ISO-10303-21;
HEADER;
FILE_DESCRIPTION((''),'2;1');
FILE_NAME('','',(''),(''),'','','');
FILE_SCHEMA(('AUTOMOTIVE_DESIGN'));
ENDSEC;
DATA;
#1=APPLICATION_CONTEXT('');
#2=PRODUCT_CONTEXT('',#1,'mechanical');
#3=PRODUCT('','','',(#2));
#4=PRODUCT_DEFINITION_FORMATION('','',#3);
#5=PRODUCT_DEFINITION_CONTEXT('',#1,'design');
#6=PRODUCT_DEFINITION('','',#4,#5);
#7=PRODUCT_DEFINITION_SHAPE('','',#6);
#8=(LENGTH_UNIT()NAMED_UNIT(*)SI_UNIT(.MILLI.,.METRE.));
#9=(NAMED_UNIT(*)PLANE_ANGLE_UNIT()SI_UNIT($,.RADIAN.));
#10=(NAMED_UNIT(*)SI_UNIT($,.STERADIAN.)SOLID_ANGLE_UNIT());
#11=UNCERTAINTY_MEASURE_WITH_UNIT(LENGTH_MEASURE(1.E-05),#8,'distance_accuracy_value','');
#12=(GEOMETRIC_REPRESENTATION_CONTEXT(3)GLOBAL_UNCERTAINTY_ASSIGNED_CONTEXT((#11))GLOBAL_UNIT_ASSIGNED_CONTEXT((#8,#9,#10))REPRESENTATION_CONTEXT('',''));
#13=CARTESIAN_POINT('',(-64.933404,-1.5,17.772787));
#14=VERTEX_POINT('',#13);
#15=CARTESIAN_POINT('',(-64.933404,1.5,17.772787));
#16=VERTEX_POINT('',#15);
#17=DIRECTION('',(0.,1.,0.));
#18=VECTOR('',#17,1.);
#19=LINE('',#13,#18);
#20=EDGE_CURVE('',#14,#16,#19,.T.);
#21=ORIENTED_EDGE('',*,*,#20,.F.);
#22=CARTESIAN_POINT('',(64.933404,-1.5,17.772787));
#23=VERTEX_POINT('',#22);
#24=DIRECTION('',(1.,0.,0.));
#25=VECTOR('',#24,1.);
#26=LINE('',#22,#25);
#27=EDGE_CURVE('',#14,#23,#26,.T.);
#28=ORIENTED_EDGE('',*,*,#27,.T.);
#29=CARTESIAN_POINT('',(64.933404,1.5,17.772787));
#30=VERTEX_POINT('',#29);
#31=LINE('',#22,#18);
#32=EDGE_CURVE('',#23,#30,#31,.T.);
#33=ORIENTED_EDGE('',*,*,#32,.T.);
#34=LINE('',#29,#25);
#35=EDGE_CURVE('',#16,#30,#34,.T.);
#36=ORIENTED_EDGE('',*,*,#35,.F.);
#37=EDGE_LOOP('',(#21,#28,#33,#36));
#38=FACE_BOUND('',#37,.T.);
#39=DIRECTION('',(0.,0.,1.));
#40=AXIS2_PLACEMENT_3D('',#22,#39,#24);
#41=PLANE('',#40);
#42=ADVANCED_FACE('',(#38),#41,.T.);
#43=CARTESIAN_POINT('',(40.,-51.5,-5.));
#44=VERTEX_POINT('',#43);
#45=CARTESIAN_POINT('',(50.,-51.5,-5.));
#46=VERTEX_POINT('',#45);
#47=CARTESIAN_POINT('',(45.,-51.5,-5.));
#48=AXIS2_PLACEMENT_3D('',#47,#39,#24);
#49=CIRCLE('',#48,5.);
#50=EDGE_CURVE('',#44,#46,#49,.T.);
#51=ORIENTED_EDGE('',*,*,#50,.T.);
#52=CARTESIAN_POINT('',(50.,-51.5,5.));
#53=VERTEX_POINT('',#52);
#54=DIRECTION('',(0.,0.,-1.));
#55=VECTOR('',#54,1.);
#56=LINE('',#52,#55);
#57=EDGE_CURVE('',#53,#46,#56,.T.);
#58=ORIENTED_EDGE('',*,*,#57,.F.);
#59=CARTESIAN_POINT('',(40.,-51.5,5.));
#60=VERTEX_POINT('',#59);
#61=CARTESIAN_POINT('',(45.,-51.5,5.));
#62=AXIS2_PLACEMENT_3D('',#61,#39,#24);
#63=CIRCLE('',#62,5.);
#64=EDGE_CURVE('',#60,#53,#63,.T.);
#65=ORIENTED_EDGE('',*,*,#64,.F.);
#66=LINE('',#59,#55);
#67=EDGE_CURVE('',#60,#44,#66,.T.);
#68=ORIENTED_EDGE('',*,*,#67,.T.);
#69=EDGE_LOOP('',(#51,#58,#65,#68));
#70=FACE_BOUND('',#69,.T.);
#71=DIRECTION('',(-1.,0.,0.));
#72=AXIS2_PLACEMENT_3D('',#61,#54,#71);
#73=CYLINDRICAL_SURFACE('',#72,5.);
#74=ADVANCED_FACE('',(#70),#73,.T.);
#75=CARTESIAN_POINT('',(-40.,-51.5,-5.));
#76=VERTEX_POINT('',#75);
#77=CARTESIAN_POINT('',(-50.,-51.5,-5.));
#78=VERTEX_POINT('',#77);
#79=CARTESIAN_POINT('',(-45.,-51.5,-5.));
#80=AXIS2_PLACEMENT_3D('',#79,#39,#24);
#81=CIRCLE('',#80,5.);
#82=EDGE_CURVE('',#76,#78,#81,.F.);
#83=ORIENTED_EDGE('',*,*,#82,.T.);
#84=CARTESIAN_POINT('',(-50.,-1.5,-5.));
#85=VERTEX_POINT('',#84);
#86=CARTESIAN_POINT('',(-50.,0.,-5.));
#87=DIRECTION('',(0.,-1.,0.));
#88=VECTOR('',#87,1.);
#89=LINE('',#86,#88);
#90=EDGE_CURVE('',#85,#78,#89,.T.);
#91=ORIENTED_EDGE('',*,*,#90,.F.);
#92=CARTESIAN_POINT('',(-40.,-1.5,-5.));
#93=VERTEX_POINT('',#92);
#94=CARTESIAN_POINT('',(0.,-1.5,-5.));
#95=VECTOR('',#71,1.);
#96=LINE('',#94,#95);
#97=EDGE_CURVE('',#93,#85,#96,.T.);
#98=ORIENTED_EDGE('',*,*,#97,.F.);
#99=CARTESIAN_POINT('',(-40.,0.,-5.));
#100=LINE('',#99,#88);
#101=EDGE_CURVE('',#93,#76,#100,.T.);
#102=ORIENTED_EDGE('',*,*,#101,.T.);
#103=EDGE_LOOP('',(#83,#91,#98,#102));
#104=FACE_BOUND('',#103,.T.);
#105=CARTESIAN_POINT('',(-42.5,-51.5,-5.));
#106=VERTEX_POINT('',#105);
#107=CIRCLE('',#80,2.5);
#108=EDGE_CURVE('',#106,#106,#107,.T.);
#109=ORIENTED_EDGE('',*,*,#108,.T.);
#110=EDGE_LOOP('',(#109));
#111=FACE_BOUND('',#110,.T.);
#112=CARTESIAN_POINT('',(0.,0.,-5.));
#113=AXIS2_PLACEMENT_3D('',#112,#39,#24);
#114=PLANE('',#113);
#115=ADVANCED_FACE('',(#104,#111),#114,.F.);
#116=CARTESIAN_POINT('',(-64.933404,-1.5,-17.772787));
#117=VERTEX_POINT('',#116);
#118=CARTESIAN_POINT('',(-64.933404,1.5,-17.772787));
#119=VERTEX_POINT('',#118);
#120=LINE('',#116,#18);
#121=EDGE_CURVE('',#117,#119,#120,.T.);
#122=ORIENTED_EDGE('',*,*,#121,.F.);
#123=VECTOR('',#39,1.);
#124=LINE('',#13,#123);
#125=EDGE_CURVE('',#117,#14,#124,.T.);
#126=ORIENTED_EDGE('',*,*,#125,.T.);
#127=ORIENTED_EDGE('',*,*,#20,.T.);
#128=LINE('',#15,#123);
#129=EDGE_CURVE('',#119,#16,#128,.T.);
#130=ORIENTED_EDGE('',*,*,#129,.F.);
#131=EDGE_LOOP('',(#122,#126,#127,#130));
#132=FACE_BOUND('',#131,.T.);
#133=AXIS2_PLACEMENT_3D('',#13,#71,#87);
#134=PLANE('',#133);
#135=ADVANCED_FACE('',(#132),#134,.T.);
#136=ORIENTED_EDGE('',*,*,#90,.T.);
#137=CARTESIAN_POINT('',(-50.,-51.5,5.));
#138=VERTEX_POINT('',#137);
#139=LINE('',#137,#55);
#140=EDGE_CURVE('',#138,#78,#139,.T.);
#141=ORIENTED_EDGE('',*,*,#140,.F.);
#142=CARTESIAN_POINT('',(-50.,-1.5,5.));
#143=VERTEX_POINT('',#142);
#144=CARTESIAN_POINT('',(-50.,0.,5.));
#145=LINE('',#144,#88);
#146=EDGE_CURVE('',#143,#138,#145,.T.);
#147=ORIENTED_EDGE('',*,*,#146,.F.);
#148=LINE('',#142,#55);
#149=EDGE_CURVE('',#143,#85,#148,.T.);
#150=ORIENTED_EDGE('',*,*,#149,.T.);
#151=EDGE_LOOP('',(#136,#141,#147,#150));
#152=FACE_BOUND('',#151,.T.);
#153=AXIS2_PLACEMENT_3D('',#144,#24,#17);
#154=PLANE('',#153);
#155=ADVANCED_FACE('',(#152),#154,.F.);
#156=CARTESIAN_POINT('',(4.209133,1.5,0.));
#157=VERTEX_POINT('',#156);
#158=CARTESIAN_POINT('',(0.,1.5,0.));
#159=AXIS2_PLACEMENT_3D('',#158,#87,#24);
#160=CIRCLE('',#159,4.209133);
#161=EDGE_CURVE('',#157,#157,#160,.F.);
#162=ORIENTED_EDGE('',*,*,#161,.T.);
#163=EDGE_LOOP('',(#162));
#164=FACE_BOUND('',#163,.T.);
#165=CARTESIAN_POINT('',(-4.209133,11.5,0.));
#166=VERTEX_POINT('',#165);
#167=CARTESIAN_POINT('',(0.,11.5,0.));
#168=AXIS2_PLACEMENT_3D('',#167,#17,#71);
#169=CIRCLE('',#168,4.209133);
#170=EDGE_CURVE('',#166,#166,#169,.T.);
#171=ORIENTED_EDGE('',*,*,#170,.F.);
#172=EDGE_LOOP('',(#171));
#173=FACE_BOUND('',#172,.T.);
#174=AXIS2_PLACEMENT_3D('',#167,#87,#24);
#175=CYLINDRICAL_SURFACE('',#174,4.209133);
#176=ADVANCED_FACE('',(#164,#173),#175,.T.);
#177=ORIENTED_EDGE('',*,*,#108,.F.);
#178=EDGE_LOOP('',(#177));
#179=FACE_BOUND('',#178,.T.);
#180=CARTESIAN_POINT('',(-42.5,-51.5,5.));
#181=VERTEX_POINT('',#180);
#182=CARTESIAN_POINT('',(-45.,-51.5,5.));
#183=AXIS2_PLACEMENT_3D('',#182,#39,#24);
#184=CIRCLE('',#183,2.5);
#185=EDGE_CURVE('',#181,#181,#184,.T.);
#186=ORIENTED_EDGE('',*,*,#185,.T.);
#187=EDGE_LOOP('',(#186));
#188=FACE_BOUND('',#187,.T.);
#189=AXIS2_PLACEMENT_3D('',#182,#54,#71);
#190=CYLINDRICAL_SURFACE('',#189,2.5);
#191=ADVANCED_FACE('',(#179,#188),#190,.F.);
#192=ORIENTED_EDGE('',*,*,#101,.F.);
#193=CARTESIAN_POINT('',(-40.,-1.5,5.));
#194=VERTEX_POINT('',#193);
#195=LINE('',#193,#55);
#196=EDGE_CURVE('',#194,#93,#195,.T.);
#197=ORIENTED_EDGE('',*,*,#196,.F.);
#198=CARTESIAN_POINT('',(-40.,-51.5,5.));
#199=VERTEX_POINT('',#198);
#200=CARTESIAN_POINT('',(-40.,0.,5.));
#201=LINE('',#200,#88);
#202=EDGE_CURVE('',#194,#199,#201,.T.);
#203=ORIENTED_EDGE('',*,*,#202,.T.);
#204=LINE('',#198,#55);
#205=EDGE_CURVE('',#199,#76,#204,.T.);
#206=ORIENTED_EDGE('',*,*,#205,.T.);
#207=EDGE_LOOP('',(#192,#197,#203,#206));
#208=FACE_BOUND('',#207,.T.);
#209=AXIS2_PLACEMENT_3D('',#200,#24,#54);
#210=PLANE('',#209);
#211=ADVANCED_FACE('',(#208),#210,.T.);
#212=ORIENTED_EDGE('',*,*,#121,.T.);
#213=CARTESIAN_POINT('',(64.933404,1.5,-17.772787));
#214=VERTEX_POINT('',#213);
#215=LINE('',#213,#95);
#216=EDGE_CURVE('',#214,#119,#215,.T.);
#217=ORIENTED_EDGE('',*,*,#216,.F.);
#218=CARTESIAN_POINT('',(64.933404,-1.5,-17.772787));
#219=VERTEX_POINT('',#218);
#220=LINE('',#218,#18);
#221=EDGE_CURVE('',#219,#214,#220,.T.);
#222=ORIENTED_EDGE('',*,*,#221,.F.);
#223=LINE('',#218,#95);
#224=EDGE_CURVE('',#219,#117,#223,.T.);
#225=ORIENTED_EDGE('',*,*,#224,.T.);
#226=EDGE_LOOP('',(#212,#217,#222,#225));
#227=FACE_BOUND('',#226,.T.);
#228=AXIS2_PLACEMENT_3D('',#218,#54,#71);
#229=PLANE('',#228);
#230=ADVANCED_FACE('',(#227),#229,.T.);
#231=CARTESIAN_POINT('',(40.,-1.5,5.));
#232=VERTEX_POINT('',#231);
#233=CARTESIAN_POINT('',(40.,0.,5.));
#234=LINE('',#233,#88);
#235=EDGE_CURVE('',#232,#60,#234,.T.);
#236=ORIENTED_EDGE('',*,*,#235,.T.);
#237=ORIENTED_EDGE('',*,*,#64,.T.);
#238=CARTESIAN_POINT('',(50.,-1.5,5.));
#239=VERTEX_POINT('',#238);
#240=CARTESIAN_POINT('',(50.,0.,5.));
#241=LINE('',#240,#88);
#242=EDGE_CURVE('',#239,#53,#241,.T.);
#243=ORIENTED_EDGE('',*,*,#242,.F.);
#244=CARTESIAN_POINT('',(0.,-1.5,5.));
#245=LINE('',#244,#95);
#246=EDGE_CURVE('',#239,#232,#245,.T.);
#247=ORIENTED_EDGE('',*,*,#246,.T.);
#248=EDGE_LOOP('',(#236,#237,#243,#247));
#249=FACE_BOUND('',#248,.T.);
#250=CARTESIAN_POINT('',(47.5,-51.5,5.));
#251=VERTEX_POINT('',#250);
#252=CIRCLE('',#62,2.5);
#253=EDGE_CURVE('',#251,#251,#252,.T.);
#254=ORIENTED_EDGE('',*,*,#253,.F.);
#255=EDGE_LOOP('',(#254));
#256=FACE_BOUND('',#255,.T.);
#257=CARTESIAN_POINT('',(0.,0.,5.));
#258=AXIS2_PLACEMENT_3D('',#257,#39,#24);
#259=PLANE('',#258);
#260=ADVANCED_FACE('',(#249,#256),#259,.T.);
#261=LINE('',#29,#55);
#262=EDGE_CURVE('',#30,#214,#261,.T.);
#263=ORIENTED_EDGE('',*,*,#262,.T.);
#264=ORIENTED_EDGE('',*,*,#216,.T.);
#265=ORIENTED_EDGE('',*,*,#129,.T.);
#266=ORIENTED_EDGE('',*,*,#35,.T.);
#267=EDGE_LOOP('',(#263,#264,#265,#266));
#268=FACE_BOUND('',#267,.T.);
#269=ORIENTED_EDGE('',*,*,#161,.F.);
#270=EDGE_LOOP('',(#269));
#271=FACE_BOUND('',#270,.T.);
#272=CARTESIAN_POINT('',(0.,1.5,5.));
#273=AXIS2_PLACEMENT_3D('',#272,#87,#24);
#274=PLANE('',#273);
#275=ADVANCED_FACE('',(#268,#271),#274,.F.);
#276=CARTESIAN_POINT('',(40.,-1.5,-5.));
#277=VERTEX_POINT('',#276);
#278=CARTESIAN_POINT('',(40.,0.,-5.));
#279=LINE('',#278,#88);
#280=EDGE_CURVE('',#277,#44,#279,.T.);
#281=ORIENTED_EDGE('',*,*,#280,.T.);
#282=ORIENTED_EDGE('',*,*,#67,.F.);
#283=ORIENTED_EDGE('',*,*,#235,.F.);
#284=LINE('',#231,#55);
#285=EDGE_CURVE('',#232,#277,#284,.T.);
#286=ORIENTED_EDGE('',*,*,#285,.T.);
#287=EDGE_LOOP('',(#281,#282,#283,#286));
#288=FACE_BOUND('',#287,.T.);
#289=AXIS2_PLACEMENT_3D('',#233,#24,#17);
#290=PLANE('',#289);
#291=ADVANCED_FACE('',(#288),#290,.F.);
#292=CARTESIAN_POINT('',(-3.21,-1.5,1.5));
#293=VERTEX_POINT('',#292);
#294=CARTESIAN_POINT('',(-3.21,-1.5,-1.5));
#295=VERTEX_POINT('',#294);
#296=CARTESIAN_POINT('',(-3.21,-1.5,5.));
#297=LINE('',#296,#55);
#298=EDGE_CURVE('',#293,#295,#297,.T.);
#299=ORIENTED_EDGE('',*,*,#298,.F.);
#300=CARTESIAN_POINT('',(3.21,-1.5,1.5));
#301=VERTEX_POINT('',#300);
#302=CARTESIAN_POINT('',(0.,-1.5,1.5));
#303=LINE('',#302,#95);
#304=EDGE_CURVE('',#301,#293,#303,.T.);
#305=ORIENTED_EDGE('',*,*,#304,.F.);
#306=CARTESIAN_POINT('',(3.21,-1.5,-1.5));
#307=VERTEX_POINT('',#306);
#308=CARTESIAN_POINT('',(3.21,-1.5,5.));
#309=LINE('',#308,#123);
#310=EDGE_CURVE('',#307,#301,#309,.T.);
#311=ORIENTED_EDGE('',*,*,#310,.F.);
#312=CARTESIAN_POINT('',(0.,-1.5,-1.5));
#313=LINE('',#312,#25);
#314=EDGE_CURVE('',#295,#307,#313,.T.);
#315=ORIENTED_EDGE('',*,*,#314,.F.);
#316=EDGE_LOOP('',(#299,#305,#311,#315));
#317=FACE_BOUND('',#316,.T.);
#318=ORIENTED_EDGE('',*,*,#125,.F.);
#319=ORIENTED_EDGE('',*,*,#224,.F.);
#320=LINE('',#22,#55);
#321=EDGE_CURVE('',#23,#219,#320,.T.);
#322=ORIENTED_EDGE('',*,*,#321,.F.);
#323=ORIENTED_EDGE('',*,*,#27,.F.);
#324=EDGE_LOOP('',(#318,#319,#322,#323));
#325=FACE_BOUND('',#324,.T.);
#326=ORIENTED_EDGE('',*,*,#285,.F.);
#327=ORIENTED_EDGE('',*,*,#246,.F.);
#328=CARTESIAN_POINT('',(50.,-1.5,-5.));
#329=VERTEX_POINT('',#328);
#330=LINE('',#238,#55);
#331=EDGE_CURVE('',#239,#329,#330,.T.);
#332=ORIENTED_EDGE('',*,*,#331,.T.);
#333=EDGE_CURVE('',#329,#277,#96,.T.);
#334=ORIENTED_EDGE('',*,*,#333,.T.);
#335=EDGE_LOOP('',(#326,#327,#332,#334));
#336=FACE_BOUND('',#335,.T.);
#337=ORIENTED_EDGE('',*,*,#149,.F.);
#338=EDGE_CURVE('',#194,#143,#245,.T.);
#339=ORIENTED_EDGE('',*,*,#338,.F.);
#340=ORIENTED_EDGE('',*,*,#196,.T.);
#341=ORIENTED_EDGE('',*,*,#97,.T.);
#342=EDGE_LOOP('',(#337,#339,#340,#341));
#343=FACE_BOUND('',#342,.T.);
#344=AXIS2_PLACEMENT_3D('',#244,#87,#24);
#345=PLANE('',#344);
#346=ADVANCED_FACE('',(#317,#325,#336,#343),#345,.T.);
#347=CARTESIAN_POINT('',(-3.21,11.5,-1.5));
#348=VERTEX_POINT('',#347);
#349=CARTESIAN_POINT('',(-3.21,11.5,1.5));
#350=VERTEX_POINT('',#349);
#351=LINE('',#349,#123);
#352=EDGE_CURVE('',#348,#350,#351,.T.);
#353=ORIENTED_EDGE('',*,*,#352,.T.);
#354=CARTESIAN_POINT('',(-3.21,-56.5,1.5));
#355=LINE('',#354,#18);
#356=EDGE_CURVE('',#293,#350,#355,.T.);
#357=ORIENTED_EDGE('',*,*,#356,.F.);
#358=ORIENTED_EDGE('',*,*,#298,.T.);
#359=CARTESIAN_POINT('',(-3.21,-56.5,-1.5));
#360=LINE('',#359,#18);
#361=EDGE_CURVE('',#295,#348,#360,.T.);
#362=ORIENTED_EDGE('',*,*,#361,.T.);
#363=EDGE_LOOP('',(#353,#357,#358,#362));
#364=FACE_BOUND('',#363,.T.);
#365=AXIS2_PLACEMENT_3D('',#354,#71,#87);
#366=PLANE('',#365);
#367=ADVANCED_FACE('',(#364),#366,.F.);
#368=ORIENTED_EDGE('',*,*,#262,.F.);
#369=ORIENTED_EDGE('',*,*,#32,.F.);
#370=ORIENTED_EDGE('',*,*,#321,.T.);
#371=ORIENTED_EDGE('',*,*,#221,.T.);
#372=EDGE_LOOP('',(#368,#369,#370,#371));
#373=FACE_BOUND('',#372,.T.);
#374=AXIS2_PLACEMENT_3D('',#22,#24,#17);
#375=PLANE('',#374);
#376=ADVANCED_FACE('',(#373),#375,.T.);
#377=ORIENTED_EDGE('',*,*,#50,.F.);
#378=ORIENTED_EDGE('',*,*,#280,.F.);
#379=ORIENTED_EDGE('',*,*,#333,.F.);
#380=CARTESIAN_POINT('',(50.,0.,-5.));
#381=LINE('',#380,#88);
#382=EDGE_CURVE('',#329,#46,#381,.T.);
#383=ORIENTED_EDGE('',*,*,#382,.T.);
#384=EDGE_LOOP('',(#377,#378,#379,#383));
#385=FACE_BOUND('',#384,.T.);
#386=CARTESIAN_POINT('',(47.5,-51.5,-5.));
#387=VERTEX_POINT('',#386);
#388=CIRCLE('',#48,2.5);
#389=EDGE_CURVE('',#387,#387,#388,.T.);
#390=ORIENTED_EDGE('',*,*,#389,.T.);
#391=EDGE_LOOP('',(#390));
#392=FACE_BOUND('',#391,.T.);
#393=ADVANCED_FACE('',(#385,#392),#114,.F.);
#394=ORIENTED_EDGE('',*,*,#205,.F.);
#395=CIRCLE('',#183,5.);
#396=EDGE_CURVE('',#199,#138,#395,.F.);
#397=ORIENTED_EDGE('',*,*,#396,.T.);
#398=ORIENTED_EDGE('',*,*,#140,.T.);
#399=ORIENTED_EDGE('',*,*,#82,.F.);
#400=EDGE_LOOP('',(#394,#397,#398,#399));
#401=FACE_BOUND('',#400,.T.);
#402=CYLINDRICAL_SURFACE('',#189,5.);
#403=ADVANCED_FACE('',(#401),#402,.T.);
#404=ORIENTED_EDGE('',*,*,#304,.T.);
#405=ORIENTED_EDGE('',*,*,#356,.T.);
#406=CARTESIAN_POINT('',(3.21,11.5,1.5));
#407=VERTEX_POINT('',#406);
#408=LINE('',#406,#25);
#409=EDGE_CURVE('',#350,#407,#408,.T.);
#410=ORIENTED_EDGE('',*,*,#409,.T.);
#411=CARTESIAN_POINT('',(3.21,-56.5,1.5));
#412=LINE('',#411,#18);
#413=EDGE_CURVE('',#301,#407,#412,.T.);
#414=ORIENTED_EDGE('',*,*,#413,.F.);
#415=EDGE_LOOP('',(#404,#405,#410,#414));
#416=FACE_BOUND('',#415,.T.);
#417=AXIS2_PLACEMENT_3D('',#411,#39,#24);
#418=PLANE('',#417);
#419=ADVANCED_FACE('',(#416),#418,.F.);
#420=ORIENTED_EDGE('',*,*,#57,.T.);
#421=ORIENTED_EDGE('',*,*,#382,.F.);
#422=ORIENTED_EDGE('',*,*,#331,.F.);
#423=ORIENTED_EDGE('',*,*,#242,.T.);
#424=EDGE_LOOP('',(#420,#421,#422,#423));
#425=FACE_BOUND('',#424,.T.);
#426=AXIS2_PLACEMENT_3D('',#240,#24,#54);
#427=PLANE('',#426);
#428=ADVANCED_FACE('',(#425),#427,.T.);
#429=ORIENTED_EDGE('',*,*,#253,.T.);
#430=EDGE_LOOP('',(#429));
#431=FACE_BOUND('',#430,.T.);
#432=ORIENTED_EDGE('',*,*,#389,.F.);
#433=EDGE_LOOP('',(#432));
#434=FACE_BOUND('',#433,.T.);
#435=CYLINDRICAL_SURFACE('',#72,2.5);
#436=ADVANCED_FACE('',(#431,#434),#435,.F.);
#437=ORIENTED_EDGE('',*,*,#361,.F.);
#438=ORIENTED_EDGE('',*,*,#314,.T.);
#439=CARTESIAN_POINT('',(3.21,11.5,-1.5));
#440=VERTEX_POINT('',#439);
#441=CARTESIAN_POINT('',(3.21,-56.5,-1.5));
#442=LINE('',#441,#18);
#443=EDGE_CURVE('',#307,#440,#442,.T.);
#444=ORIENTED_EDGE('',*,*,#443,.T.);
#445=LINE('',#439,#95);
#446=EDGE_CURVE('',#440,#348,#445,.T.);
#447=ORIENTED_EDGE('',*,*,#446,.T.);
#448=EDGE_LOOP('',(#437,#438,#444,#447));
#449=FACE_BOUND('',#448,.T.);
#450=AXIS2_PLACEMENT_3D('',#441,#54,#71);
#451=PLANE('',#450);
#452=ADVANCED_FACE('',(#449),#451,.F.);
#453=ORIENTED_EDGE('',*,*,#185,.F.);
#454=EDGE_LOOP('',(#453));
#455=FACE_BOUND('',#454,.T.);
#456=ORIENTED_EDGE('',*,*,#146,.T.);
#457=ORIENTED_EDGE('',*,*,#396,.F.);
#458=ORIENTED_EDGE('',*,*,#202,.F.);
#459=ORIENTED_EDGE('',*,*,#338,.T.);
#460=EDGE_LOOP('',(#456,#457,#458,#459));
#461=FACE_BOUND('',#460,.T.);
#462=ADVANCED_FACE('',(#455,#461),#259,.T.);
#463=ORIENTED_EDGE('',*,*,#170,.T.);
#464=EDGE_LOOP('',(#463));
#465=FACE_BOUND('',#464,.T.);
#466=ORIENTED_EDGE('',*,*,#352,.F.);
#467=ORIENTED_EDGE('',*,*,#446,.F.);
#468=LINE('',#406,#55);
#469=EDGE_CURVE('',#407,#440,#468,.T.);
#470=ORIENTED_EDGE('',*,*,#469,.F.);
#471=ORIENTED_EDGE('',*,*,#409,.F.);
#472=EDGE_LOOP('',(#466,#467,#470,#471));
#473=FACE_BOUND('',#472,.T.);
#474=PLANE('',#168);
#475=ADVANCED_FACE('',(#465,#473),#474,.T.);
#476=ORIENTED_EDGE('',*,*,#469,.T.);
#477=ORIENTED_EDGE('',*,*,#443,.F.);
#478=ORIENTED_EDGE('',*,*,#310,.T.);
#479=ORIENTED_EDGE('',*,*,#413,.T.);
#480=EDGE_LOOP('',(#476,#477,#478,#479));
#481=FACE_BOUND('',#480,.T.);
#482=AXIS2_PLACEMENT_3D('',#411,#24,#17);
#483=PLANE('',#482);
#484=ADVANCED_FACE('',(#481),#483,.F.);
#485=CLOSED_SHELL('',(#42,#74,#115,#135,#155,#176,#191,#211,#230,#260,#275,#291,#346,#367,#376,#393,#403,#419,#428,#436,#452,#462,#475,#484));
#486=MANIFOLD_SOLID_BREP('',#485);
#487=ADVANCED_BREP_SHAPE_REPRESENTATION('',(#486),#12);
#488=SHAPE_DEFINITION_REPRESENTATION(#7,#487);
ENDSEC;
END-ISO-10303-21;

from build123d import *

# Parameters (mm, degrees)
SKETCH1_R           = 2.5
BOSS_EXTRUDE1_DEPTH = 5
SKETCH2_W           = 129.866808808
SKETCH2_H           = 35.545574104
BOSS_EXTRUDE2_DEPTH = 3
SKETCH3_W           = 6.42
SKETCH3_H           = 3
CUT_EXTRUDE1_DEPTH  = 89.860671656
SKETCH4_R           = 4.209133058
SKETCH4_W           = 6.42
SKETCH4_H           = 3
BOSS_EXTRUDE3_DEPTH = 10


with BuildPart() as part:
    # Sketch1 → Boss-Extrude1 (new, symmetric)
    with BuildSketch(Plane.XY):
        with BuildLine():
            Line((50, -1.5), (55, -1.5))
            Line((55, -1.5), (55, 1.5))
            Line((55, 1.5), (-55, 1.5))
            Line((-55, 1.5), (-55, -1.5))
            Line((-55, -1.5), (-50, -1.5))
            Line((-50, -1.5), (-50, -51.5))
            ThreePointArc((-50, -51.5), (-45, -56.5), (-40, -51.5))
            Line((-40, -51.5), (-40, -1.5))
            Line((-40, -1.5), (40, -1.5))
            Line((40, -1.5), (40, -51.5))
            ThreePointArc((40, -51.5), (45, -56.5), (50, -51.5))
            Line((50, -51.5), (50, -1.5))
        make_face()
        with Locations((-45, -51.5)):
            Circle(SKETCH1_R, mode=Mode.SUBTRACT)
        with Locations((45, -51.5)):
            Circle(SKETCH1_R, mode=Mode.SUBTRACT)
    extrude(amount=BOSS_EXTRUDE1_DEPTH, both=True)

    # Sketch2 → Boss-Extrude2 (add)
    with BuildSketch(Plane(origin=(0, 1.5, 0), x_dir=(1, 0, 0), z_dir=(0, 1, 0))):
        Rectangle(SKETCH2_W, SKETCH2_H)
    extrude(amount=-BOSS_EXTRUDE2_DEPTH)

    # Sketch3 → Cut-Extrude1 (cut, through all)
    with BuildSketch(Plane(origin=(0, 1.5, 0), x_dir=(1, 0, 0), z_dir=(0, 1, 0))):
        Rectangle(SKETCH3_W, SKETCH3_H)
    extrude(amount=-CUT_EXTRUDE1_DEPTH, mode=Mode.SUBTRACT)

    # Sketch4 → Boss-Extrude3 (add)
    with BuildSketch(Plane(origin=(0, 1.5, 0), x_dir=(1, 0, 0), z_dir=(0, 1, 0))):
        Circle(SKETCH4_R)
        Rectangle(SKETCH4_W, SKETCH4_H, mode=Mode.SUBTRACT)
    extrude(amount=BOSS_EXTRUDE3_DEPTH)


solid = part.part
